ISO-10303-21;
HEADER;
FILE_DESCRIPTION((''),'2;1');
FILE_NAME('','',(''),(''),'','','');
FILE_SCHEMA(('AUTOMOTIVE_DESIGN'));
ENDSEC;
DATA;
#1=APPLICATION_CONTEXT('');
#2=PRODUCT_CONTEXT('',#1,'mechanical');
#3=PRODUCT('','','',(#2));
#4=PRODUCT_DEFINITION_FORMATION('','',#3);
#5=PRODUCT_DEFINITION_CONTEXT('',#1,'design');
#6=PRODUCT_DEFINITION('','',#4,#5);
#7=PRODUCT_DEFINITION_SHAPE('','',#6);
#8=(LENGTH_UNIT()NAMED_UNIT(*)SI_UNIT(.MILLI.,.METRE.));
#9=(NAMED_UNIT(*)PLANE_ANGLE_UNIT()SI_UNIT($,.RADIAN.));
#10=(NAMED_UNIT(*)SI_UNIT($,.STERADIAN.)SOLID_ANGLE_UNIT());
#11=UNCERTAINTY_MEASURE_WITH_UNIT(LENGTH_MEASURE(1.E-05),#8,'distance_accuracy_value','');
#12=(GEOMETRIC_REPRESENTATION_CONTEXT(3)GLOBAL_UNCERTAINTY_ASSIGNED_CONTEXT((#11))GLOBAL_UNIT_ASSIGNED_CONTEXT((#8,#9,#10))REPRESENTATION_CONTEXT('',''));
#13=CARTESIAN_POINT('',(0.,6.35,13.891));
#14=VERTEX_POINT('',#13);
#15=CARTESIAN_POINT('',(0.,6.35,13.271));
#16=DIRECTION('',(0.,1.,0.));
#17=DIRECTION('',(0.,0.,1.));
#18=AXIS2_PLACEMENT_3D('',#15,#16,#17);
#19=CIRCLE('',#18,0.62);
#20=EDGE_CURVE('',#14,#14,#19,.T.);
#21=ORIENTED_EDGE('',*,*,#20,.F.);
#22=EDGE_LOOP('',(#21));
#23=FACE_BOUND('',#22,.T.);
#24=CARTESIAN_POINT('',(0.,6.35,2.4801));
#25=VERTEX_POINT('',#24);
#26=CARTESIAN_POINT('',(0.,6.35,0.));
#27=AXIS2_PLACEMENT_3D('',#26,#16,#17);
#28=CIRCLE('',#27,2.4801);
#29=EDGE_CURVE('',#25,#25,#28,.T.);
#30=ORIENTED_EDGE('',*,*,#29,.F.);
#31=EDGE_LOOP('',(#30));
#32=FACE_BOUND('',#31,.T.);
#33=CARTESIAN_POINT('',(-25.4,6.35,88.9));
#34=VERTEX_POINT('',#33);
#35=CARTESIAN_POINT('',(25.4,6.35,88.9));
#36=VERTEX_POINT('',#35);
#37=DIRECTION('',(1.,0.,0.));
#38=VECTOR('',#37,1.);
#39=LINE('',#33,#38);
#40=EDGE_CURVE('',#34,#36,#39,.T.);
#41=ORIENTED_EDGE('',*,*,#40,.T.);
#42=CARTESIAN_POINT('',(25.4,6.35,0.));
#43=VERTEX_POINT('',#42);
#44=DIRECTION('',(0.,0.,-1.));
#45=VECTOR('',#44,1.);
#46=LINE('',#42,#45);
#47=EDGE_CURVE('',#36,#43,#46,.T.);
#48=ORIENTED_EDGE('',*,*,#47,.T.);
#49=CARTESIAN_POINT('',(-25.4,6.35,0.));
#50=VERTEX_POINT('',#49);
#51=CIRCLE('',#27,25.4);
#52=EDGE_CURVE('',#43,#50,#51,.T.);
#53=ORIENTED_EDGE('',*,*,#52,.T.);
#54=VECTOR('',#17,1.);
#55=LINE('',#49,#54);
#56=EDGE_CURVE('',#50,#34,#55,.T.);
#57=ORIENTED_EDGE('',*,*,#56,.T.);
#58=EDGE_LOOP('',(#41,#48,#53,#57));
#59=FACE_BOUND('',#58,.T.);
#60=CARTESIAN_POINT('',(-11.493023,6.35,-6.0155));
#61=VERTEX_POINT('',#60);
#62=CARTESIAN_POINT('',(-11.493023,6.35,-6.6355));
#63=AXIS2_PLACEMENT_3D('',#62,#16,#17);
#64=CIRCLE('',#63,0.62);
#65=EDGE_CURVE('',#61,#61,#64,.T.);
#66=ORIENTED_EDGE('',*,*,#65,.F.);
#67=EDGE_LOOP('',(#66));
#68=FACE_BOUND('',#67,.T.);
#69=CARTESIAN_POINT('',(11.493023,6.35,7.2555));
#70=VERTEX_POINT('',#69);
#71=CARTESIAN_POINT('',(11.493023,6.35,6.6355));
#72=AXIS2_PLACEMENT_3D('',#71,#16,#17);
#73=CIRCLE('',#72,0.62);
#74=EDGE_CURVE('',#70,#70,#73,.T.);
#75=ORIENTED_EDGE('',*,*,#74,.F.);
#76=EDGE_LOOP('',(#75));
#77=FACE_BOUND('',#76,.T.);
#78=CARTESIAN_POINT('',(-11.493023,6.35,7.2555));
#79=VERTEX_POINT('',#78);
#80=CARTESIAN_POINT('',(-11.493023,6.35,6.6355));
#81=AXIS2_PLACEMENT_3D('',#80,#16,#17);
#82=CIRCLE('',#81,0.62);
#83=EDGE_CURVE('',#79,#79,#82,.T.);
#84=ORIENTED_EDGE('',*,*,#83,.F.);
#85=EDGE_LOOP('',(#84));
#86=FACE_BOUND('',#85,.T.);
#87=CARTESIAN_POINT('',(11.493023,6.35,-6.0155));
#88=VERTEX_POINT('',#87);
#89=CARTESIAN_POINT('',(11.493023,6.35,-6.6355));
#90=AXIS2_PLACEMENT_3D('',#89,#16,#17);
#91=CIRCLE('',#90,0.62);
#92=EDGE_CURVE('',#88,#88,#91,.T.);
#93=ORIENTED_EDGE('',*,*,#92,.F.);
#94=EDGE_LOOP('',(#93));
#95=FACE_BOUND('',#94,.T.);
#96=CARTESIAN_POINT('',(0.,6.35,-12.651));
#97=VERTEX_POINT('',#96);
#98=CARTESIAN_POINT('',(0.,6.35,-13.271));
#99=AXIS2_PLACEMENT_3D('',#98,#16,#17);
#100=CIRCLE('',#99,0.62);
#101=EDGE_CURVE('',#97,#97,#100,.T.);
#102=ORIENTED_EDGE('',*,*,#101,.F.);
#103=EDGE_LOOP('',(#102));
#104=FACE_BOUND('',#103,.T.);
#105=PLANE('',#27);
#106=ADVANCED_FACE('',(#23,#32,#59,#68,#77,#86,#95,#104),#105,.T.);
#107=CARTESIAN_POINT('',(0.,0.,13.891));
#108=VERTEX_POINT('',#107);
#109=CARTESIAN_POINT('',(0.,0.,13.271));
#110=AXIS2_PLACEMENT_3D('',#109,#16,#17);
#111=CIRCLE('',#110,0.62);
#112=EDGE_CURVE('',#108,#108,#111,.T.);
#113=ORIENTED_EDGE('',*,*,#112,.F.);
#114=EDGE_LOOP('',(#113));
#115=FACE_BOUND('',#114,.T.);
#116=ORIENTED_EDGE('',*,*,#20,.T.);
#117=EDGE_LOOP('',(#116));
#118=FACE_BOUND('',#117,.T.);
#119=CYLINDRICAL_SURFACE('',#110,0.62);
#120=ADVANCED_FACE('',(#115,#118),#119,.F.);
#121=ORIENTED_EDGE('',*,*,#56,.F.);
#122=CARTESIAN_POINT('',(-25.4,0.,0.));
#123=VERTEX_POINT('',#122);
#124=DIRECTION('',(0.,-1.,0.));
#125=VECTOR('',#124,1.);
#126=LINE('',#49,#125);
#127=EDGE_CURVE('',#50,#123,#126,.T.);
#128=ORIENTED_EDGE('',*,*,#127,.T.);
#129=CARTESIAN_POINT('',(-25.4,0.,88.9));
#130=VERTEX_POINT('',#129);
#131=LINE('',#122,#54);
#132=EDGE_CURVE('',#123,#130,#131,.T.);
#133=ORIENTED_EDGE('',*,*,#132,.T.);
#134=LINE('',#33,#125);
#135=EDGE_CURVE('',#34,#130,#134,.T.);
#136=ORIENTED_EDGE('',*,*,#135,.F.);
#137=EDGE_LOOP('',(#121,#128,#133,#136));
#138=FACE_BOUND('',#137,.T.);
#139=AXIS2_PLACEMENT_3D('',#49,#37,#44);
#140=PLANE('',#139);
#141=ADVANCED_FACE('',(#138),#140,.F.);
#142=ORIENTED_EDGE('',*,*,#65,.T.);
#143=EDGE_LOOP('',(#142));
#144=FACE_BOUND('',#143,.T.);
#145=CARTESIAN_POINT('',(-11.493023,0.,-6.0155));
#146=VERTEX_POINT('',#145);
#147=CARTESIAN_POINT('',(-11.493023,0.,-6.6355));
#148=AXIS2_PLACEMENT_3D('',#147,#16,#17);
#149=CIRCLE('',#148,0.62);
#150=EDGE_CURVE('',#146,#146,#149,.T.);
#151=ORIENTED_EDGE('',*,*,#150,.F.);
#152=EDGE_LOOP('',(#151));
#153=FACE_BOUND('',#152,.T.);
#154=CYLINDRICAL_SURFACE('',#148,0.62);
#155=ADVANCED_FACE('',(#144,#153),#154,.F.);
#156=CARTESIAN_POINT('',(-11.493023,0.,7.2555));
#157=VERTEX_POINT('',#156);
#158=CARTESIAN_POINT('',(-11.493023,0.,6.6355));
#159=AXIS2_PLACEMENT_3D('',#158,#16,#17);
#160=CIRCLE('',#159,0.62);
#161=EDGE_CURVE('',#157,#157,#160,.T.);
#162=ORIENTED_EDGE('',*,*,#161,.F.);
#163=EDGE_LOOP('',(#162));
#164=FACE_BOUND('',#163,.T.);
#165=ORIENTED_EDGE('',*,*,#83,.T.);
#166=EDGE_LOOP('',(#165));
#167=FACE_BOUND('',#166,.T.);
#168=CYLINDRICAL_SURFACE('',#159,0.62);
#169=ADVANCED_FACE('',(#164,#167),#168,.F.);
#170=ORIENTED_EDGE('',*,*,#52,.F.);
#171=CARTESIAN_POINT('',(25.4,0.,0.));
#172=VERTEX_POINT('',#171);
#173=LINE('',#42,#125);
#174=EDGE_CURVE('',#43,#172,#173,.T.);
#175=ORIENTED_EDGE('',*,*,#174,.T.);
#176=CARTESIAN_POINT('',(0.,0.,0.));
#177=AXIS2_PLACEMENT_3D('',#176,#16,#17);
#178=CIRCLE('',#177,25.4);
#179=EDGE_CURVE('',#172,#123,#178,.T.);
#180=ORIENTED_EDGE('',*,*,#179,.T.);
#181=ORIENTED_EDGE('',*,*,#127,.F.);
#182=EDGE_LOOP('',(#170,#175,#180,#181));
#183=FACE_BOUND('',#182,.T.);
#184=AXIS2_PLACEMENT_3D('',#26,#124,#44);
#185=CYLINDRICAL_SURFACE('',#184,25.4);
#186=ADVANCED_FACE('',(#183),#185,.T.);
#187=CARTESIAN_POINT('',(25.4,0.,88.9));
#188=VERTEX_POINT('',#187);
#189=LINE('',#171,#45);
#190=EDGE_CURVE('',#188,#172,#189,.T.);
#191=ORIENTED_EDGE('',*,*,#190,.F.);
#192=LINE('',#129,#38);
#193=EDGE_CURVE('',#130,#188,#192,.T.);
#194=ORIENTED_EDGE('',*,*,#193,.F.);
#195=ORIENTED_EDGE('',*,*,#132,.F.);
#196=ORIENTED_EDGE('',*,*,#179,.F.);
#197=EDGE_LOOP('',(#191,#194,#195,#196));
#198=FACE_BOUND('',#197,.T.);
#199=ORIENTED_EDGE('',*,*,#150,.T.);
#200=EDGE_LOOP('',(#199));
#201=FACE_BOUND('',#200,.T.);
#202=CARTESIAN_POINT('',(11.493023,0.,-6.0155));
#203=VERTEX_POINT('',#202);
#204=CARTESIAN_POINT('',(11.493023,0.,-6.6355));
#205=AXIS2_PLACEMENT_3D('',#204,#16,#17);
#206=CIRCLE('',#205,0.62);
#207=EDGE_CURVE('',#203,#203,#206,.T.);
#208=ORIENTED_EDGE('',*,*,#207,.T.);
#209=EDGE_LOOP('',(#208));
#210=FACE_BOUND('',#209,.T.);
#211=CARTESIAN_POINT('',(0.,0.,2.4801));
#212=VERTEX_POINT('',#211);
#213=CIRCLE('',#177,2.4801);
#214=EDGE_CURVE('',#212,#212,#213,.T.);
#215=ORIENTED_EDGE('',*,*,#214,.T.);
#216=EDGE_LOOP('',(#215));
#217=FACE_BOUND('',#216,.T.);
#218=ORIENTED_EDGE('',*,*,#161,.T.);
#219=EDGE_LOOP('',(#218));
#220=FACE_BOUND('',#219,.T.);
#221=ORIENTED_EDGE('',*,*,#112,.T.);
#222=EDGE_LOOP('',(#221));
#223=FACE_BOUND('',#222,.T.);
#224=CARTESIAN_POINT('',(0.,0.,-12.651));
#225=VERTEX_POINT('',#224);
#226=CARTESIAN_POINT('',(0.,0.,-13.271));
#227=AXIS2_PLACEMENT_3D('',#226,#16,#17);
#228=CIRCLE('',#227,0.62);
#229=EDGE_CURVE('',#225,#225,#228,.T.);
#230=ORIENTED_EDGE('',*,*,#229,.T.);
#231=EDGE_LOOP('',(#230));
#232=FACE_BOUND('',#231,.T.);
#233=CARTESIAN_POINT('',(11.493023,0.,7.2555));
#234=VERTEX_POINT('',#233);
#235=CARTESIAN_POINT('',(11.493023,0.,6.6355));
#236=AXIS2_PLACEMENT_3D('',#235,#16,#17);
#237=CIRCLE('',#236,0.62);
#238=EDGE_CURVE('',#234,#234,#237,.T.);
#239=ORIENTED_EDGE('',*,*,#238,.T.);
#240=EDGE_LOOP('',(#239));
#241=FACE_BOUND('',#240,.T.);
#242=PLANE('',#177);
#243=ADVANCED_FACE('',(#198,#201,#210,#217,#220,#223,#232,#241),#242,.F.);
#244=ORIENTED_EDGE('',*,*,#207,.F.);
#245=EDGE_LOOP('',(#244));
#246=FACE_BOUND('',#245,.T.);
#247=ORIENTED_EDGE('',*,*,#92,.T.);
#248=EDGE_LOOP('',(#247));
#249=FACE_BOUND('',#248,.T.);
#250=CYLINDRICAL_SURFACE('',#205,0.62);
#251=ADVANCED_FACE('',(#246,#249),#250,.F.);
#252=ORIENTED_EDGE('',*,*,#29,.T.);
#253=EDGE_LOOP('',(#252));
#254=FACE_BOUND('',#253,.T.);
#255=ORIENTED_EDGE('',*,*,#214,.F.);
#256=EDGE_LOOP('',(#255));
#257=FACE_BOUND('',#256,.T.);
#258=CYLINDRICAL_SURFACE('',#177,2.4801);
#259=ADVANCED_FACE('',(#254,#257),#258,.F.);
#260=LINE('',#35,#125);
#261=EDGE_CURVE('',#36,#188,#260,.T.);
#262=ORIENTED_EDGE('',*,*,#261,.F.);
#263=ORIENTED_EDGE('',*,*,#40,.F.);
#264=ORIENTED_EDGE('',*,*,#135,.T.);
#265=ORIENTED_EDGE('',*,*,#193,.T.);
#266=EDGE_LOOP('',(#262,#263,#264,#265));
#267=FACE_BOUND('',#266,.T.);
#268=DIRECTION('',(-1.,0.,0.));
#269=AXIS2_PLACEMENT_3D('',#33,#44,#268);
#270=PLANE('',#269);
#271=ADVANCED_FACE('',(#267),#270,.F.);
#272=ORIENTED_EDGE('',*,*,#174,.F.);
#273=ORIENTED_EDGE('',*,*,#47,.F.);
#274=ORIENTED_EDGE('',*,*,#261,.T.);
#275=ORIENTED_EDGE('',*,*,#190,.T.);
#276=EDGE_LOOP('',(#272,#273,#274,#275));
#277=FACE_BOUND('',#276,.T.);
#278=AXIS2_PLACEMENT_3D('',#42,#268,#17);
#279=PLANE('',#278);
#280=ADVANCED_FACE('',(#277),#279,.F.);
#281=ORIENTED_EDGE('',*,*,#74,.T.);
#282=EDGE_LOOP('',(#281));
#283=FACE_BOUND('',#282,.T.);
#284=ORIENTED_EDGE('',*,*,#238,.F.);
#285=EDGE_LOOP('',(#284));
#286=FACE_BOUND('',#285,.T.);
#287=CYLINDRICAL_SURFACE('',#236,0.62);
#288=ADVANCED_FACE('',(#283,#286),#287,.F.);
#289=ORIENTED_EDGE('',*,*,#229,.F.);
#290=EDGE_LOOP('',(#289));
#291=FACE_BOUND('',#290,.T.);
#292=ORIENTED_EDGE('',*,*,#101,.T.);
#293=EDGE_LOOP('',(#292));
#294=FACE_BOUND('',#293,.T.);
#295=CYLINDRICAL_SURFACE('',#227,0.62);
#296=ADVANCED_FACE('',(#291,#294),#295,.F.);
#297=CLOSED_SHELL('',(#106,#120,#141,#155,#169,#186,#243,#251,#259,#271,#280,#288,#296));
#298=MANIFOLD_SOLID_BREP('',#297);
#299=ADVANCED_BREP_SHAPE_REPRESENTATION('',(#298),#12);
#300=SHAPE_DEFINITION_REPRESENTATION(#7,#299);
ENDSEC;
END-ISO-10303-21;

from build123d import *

# Parameters (mm, degrees)
BOSS_EXTRUDE1_DEPTH = 6.35
SKETCH2_R           = 0.62000003
CUT_EXTRUDE1_DEPTH  = 6.35
SKETCH3_R           = 2.480100005
CUT_EXTRUDE2_DEPTH  = 6.35


with BuildPart() as part:
    # Sketch1 → Boss-Extrude1 (new body)
    with BuildSketch(Plane(origin=(0, 0, 0), x_dir=(1, 0, 0), z_dir=(0, 1, 0))):
        with BuildLine():
            Line((-25.4, 0), (-25.4, -88.9))
            Line((-25.4, -88.9), (25.4, -88.9))
            Line((25.4, -88.9), (25.4, 0))
            ThreePointArc((25.4, 0), (0, 25.4), (-25.4, 0))
        make_face()
    extrude(amount=BOSS_EXTRUDE1_DEPTH)

    # Sketch2 → Cut-Extrude1 (cut)
    with BuildSketch(Plane(origin=(0, 6.35, 0), x_dir=(1, 0, 0), z_dir=(0, 1, 0))):
        with Locations(Location((0, 13.271000001, 0), (0, 0, 270))):
            Circle(SKETCH2_R)
        with Locations(Location((0, -13.271000001, 0), (0, 0, 270))):
            Circle(SKETCH2_R)
        with Locations(Location((-11.493023134, 6.635500001, 0), (0, 0, 270))):
            Circle(SKETCH2_R)
        with Locations(Location((-11.493023134, -6.635500001, 0), (0, 0, 270))):
            Circle(SKETCH2_R)
        with Locations(Location((11.493023134, 6.635500001, 0), (0, 0, 270))):
            Circle(SKETCH2_R)
        with Locations(Location((11.493023134, -6.635500001, 0), (0, 0, 270))):
            Circle(SKETCH2_R)
    extrude(amount=-CUT_EXTRUDE1_DEPTH, mode=Mode.SUBTRACT)

    # Sketch3 → Cut-Extrude2 (cut)
    with BuildSketch(Plane(origin=(0, 6.35, 0), x_dir=(1, 0, 0), z_dir=(0, 1, 0))):
        with Locations(Location((0, 0, 0), (0, 0, 270))):
            Circle(SKETCH3_R)
    extrude(amount=-CUT_EXTRUDE2_DEPTH, mode=Mode.SUBTRACT)


solid = part.part
